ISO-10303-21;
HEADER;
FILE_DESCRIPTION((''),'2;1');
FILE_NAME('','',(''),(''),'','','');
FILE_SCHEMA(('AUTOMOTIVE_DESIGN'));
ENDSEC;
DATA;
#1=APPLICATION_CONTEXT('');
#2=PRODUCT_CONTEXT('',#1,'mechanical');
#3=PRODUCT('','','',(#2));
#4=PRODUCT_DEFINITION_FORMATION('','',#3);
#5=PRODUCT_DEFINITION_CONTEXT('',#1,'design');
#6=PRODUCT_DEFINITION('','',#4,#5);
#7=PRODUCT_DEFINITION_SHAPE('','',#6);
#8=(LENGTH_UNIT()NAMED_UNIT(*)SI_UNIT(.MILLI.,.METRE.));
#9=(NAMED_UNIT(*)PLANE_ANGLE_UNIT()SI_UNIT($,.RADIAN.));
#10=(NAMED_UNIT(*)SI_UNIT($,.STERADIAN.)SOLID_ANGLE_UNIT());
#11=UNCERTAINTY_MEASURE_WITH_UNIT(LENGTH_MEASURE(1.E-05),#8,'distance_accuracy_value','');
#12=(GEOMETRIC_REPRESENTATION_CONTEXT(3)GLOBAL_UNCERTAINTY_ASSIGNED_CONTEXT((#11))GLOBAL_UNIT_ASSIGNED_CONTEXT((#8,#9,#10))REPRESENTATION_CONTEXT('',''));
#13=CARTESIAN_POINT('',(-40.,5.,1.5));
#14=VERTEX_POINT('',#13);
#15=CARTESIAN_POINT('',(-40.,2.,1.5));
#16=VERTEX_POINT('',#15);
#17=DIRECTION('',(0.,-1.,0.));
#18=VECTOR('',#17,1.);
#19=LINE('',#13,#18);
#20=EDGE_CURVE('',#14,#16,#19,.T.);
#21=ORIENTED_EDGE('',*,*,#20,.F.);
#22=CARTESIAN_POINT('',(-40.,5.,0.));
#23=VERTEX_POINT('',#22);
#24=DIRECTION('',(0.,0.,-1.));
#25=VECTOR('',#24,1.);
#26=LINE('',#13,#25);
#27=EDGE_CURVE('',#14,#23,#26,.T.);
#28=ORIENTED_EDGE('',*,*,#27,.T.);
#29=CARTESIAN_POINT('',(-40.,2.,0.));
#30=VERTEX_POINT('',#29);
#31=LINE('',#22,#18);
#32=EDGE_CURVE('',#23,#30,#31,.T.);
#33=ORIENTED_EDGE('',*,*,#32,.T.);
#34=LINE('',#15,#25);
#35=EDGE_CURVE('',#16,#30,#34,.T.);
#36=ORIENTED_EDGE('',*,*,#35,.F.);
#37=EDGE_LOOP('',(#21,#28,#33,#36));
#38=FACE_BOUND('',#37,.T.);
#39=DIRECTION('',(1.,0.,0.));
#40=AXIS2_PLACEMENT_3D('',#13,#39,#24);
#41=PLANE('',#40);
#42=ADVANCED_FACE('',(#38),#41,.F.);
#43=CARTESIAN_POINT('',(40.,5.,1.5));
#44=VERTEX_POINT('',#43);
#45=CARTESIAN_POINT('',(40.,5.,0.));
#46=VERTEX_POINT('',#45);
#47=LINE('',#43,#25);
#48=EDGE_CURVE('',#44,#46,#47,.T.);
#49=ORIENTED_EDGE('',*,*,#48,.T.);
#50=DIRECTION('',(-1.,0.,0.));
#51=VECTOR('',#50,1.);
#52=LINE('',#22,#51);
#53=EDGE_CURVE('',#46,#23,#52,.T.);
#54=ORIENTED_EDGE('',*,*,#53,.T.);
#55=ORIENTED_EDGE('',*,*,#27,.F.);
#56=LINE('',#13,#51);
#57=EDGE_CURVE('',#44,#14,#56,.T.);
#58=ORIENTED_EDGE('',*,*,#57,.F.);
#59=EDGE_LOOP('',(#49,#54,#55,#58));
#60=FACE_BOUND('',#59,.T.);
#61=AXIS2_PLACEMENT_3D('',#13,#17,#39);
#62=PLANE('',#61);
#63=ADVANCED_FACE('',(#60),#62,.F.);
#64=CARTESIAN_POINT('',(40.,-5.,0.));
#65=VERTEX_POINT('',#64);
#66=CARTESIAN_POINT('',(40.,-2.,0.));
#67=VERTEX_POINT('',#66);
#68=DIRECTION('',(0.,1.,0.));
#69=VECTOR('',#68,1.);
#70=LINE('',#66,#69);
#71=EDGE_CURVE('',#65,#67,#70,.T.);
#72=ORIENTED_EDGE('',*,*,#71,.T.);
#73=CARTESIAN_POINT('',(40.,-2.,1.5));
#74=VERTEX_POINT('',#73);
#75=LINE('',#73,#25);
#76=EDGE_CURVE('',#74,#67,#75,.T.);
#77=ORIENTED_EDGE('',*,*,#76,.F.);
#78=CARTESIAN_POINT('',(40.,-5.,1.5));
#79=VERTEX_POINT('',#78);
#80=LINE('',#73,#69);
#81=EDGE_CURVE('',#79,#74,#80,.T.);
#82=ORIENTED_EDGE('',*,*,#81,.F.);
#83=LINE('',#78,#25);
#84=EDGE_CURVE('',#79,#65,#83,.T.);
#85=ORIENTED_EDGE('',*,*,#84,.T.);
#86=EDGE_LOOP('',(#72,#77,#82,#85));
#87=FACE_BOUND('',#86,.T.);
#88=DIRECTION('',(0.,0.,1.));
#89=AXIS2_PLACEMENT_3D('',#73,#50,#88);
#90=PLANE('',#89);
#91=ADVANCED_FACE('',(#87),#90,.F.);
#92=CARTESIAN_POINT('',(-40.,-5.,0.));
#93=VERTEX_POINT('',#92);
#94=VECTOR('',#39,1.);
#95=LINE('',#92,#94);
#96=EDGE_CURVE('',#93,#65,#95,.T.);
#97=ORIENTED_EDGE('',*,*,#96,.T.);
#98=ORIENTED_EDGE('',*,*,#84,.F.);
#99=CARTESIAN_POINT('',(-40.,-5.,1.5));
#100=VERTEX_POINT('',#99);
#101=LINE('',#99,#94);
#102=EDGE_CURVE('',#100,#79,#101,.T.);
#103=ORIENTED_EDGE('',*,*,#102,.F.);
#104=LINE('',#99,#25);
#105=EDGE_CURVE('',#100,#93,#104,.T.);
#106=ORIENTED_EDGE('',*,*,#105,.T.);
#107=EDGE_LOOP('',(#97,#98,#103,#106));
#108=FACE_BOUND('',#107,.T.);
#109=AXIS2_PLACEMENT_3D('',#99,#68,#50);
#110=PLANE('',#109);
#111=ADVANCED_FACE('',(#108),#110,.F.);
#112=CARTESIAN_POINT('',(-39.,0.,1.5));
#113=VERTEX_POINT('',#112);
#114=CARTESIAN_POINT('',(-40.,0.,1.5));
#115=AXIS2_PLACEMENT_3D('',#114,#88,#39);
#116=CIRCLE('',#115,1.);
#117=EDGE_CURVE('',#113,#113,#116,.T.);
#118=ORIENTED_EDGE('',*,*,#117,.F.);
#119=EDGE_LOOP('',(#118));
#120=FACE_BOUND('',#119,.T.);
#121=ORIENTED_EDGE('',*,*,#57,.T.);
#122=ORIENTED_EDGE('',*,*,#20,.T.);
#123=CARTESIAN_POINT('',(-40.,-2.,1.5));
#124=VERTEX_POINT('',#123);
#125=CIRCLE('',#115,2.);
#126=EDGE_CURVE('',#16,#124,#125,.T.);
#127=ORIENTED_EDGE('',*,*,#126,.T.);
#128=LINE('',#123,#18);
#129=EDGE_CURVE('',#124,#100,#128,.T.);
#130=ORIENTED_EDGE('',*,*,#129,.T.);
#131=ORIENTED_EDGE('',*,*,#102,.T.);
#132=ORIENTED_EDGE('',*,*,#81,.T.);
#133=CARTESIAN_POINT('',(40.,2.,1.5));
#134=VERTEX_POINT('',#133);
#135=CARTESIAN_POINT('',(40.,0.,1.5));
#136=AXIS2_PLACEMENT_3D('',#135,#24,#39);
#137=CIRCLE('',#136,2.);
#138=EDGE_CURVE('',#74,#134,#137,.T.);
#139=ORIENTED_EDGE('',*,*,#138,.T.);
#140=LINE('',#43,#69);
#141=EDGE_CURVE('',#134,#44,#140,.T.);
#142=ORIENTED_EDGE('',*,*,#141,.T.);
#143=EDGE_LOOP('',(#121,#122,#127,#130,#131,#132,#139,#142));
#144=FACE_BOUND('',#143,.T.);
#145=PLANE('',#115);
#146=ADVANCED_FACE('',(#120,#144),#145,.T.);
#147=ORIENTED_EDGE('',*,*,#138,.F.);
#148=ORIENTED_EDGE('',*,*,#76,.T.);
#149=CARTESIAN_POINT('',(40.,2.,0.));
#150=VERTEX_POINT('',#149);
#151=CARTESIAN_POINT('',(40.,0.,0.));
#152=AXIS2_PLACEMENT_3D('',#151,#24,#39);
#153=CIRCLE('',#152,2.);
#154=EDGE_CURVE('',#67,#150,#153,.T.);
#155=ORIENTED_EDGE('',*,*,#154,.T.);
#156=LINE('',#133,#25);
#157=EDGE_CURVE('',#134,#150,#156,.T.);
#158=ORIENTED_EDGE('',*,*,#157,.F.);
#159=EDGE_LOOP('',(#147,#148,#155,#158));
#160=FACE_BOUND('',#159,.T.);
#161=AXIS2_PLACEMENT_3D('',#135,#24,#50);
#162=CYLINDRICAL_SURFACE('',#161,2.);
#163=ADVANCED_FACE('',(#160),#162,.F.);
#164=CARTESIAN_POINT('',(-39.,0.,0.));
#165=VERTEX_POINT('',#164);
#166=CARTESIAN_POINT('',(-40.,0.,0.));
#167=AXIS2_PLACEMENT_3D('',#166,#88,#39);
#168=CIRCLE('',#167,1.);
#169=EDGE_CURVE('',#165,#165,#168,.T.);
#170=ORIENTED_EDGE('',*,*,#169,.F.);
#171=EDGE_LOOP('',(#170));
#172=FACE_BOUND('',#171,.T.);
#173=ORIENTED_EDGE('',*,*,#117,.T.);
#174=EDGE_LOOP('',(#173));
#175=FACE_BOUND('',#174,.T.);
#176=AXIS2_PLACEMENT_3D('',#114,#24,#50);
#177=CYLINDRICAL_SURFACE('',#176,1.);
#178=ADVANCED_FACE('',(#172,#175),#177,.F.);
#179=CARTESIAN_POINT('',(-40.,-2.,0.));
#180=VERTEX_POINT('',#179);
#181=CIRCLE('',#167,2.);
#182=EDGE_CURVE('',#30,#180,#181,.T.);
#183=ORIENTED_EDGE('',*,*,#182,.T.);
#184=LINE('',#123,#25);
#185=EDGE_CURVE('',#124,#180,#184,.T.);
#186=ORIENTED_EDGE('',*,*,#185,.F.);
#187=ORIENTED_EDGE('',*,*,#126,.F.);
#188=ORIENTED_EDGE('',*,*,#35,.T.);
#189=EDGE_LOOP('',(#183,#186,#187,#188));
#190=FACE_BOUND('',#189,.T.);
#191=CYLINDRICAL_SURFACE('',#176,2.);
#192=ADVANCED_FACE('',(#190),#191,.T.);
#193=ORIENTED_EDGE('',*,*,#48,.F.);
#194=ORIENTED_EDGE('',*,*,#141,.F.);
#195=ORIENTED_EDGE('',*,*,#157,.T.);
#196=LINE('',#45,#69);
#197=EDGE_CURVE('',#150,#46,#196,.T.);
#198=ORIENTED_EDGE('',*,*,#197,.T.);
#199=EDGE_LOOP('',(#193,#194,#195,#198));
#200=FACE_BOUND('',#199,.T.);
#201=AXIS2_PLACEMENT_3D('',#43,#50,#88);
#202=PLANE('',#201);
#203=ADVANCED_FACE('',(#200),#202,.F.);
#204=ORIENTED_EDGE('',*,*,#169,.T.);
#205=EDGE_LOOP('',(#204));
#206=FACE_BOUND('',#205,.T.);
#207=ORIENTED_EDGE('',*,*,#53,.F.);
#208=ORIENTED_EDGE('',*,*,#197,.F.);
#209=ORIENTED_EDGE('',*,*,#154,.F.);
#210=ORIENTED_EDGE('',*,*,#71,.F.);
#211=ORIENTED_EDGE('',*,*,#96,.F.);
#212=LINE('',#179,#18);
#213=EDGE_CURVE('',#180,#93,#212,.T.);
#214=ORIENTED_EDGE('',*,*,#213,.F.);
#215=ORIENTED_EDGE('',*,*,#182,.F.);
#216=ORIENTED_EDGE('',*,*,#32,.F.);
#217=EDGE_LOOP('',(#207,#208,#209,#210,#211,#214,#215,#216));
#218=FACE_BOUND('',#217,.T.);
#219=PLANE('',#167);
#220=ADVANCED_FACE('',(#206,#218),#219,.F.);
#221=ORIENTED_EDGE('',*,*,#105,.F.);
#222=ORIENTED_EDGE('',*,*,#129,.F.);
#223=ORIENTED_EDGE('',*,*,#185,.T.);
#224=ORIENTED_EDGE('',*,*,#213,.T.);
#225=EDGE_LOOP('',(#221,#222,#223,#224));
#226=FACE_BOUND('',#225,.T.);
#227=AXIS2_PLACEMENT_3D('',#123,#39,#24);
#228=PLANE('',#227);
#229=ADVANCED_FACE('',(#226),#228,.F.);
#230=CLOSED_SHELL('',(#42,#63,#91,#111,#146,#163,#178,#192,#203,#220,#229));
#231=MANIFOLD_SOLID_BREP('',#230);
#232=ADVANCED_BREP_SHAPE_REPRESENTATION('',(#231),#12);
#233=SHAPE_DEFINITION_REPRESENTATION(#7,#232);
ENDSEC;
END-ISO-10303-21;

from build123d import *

# Parameters (mm, degrees)
ESQUISSE1_R        = 1
BOSS_EXTRU_1_DEPTH = 1.5


with BuildPart() as part:
    # Esquisse1 → Boss.-Extru.1 (new body)
    with BuildSketch(Plane.XY):
        with BuildLine():
            Line((-40, -2), (-40, -5))
            Line((-40, -5), (40, -5))
            Line((40, -5), (40, -2))
            ThreePointArc((40, -2), (38, 0), (40, 2))
            Line((40, 2), (40, 5))
            Line((40, 5), (-40, 5))
            Line((-40, 5), (-40, 2))
            ThreePointArc((-40, 2), (-42, 0), (-40, -2))
        make_face()
        with Locations((-40, 0)):
            Circle(ESQUISSE1_R, mode=Mode.SUBTRACT)
    extrude(amount=BOSS_EXTRU_1_DEPTH)


solid = part.part
